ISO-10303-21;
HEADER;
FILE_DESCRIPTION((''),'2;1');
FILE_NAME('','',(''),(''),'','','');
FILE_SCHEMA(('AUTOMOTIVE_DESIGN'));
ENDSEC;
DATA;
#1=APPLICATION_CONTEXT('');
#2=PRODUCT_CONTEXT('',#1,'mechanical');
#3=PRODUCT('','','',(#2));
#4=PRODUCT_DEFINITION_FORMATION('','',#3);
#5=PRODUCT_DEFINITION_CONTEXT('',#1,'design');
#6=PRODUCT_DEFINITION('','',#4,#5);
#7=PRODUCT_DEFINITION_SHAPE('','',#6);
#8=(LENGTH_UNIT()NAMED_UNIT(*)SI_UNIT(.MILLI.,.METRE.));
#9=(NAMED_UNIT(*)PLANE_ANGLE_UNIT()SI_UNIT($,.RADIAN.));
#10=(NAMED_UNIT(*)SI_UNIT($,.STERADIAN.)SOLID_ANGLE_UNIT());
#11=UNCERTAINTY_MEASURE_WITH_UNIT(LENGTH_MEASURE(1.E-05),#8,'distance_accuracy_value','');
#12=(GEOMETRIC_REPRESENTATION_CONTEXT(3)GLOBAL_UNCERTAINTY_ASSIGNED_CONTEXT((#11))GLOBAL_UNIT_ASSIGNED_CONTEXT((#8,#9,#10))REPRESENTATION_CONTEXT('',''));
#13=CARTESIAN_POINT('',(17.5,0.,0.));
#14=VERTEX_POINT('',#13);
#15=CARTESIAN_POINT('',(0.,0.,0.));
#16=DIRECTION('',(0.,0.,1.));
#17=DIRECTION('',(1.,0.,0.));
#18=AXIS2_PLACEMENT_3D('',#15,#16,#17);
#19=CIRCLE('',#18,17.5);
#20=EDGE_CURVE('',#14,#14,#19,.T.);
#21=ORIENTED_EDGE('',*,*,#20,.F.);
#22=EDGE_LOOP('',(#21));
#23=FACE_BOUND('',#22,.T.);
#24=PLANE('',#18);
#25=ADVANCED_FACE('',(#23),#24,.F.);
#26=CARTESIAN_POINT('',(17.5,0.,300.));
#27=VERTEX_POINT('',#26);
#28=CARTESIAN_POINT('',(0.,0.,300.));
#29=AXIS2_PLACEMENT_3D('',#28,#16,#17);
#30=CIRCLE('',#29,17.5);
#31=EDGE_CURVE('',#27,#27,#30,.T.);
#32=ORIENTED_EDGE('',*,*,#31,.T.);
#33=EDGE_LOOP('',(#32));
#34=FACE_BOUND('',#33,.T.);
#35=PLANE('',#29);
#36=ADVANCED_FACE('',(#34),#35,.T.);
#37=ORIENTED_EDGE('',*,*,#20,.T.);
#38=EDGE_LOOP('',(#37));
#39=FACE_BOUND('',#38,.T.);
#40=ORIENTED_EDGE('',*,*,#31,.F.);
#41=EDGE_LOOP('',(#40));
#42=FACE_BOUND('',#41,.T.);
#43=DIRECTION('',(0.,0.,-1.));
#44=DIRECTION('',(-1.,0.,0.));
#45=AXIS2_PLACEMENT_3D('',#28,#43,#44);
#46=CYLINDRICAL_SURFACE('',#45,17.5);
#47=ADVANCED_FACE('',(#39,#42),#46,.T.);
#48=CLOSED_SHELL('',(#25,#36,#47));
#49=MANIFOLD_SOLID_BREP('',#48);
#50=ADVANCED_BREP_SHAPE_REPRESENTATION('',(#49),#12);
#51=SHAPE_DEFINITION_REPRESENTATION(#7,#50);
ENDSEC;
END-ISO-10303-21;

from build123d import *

# Parameters (mm, degrees)
SKETCH_1_R      = 17.5
EXTRUDE_1_DEPTH = 300


with BuildPart() as part:
    # 草图1 → 凸台-拉伸1 (new body)
    with BuildSketch(Plane.XY):
        Circle(SKETCH_1_R)
    extrude(amount=EXTRUDE_1_DEPTH)


solid = part.part
